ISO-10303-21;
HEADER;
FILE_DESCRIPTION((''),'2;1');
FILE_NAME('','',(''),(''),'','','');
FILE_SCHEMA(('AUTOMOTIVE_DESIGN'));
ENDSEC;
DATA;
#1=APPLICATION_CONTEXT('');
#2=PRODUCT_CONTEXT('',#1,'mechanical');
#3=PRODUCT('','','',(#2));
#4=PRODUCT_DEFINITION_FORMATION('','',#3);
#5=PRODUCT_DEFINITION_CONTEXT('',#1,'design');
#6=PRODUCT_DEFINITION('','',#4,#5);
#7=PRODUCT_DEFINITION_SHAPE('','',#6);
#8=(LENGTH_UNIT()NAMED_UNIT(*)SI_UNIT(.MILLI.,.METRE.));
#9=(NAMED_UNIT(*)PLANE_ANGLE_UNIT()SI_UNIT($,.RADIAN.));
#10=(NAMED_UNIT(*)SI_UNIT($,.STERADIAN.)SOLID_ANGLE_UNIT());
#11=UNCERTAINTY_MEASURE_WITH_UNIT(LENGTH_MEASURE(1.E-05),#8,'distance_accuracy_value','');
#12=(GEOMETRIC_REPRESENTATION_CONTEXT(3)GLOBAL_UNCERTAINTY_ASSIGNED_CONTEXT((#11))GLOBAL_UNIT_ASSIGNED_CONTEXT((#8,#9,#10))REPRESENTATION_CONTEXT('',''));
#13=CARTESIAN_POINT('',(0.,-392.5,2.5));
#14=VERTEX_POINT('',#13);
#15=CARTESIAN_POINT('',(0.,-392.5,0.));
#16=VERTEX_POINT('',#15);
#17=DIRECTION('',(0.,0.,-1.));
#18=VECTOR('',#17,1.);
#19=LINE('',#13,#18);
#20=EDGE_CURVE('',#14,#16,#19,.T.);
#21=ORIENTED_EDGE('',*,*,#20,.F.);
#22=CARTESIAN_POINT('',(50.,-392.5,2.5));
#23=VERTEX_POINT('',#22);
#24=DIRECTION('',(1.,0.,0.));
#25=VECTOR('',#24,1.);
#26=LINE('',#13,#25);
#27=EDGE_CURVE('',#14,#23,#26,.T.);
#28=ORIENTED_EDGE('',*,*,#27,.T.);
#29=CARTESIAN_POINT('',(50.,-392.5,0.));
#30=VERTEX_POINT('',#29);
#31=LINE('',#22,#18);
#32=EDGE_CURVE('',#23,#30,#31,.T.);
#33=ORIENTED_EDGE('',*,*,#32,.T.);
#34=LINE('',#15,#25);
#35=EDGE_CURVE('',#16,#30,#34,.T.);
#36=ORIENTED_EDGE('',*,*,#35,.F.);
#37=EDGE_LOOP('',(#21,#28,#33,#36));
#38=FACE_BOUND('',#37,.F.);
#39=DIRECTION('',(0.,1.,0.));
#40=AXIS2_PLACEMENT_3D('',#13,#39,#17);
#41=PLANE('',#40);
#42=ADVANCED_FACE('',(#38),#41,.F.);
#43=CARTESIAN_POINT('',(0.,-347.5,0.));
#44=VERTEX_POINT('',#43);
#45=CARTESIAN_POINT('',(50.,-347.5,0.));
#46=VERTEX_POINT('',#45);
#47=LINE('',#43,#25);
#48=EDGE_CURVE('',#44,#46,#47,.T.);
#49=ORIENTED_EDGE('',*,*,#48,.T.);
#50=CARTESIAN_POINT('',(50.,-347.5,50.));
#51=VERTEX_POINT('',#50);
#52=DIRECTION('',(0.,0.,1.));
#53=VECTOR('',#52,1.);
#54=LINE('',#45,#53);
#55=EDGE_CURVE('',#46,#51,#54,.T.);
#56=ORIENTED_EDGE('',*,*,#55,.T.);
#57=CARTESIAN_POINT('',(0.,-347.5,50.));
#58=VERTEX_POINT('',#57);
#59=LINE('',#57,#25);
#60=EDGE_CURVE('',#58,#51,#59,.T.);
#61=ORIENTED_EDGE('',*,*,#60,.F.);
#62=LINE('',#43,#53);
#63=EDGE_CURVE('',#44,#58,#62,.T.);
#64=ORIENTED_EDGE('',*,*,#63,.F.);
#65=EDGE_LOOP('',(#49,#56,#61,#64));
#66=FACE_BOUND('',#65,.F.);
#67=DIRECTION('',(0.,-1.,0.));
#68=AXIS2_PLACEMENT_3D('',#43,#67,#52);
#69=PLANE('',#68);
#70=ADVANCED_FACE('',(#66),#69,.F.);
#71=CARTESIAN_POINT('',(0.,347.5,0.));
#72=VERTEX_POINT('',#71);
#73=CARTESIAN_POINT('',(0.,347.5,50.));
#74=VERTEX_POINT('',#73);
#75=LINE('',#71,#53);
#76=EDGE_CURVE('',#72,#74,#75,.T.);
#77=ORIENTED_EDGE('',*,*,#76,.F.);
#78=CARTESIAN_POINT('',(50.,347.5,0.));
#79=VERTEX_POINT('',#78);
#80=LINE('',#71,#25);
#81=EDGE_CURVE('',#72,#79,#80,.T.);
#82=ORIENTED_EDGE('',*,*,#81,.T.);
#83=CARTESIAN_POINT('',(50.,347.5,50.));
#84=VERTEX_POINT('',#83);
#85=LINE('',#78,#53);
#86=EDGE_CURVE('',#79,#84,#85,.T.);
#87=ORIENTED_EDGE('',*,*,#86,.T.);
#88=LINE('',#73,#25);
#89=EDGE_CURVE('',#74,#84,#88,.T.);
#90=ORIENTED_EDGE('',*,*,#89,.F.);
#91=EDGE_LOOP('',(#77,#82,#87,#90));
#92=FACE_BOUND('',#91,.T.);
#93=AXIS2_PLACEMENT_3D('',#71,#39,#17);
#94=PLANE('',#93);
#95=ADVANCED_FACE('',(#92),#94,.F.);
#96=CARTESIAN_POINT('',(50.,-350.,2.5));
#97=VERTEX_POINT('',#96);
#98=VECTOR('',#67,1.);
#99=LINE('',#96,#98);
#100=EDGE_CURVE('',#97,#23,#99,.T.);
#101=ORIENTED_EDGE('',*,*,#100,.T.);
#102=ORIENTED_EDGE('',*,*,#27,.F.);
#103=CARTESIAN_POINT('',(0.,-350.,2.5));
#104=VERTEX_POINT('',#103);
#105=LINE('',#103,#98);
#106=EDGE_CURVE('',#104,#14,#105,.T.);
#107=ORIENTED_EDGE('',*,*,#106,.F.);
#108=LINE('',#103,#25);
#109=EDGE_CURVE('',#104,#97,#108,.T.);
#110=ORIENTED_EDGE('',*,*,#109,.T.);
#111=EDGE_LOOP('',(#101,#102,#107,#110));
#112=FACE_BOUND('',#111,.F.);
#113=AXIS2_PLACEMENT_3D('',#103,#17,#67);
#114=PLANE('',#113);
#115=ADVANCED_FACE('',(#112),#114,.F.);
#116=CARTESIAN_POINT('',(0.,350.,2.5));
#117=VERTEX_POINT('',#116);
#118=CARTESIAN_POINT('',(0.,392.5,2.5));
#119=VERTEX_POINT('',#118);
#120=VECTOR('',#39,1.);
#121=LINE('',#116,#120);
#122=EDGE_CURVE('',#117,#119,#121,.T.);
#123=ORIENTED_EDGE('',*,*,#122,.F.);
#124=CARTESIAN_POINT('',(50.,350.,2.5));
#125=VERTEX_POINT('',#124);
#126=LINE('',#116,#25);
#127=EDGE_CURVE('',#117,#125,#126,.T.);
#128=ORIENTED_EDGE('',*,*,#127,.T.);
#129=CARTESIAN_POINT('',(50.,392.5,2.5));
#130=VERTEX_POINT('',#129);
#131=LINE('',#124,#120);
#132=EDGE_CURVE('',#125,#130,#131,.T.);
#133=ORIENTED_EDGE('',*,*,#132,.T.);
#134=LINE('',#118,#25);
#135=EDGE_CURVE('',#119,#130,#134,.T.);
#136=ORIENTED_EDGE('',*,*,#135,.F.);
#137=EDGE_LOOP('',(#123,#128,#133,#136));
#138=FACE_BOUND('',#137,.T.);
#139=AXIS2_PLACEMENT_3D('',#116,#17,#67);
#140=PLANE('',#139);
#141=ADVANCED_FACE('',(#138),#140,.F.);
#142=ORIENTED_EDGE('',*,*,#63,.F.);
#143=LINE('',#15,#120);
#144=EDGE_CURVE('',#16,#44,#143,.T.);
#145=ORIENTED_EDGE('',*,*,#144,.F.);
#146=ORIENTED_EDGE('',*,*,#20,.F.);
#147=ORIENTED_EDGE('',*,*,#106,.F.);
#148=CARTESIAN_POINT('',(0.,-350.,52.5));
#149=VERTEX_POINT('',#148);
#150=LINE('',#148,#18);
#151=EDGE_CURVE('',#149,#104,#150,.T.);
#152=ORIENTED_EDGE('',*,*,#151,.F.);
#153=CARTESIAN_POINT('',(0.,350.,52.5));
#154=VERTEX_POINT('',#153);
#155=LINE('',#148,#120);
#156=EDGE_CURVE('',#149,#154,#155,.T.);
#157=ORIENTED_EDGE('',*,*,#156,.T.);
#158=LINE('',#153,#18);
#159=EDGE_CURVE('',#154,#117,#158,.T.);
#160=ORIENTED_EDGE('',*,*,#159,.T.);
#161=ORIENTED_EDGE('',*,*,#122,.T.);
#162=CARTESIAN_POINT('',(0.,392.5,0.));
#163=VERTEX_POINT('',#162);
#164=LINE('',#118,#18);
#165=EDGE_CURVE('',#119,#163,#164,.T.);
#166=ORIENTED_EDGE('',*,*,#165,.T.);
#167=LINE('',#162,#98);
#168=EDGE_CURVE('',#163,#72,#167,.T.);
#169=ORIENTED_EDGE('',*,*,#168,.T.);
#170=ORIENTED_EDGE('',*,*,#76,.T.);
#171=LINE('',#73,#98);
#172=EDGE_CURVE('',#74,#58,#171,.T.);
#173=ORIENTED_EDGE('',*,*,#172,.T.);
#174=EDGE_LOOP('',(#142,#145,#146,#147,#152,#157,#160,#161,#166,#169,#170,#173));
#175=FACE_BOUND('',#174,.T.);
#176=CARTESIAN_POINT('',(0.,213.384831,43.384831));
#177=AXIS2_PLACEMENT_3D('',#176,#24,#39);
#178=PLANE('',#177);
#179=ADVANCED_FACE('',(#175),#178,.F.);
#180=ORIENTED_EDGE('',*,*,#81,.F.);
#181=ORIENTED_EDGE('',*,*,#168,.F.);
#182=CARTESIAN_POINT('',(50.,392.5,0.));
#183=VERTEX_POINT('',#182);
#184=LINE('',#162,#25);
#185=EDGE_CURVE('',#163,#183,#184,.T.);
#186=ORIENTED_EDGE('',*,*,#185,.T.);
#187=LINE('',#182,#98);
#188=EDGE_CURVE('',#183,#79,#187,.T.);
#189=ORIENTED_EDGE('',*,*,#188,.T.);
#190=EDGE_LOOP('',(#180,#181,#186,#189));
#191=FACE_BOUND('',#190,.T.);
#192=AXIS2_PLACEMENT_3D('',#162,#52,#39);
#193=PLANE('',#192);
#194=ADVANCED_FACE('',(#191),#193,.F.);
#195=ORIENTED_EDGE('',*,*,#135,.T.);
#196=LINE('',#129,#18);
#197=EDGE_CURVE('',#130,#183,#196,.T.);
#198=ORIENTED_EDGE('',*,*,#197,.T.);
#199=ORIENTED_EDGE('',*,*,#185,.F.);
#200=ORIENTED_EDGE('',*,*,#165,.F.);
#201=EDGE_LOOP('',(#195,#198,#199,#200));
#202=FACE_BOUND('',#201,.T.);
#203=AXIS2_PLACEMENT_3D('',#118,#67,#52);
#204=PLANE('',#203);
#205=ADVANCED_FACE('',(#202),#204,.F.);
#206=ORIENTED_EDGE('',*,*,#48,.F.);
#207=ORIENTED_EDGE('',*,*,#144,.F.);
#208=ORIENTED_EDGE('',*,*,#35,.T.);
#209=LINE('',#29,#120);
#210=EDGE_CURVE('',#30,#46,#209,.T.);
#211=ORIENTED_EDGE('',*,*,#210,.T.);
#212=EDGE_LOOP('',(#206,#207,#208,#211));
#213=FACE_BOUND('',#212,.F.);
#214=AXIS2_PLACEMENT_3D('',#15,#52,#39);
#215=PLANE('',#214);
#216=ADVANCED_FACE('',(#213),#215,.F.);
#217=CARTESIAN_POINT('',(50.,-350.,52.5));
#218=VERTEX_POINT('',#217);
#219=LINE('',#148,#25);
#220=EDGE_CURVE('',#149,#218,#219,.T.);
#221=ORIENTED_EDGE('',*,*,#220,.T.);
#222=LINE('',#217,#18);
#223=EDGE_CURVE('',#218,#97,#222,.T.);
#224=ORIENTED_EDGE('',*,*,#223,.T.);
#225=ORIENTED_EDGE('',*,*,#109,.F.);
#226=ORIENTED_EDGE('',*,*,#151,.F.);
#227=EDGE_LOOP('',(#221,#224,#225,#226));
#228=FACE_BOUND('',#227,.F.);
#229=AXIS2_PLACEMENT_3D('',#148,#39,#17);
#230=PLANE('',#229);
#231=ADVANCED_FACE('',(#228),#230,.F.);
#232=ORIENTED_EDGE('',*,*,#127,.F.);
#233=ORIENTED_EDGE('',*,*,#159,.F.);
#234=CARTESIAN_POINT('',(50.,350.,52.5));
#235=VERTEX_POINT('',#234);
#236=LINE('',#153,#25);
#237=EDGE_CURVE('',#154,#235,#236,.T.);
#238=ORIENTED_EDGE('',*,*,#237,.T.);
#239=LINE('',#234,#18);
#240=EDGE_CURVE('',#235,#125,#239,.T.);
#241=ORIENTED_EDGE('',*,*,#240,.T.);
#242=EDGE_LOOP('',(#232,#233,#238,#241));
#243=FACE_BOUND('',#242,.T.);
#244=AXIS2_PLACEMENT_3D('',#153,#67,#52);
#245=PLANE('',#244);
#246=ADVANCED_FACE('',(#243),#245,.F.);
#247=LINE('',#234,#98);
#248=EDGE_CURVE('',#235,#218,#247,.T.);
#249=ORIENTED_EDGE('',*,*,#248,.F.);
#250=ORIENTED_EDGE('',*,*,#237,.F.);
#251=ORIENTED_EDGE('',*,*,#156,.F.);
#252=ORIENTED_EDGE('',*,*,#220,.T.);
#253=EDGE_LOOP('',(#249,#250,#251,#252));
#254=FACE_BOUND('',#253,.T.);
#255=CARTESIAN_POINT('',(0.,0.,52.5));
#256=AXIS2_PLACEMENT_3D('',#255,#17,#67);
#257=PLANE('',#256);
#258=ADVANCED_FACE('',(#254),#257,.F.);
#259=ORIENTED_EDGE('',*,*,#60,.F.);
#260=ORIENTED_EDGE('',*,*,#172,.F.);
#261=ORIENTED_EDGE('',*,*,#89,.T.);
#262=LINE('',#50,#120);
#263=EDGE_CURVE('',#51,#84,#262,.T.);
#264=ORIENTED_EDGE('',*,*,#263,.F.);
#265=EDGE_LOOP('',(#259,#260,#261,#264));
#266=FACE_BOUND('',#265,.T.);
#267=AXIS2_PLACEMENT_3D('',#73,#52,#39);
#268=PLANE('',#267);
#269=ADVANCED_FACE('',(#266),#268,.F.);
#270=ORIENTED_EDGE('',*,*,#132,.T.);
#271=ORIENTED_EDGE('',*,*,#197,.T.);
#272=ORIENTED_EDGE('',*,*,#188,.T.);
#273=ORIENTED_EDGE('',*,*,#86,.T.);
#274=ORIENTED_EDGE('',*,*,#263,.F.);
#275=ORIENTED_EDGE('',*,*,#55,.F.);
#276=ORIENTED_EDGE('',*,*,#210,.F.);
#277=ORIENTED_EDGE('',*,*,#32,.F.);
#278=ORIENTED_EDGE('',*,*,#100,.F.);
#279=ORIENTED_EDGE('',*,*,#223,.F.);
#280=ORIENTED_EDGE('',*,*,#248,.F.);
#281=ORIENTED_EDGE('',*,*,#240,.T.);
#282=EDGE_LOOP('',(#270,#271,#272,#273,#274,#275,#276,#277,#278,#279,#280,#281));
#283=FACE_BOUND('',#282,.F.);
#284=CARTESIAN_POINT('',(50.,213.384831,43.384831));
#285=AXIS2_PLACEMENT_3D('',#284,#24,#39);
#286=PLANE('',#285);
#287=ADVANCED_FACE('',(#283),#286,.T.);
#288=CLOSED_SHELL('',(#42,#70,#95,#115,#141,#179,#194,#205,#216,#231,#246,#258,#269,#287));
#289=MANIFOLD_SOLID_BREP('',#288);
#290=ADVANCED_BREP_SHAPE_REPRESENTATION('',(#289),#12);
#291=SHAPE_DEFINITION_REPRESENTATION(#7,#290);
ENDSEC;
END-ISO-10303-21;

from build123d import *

# Parameters (mm, degrees)
F1_DEPTH = 50


with BuildPart() as f1:
    # F0 (on Right) → F1 (new body)
    with BuildSketch(Plane.YZ):
        Polygon((-392.5, 2.5), (-392.5, 0), (-347.5, 0), (-347.5, 50), (0, 50), (0, 52.5), (-350, 52.5), (-350, 2.5), align=None)
    extrude(amount=F1_DEPTH)

    # F2: F1 across plane


with BuildPart() as f1_1:
    add(f1.part)
    add(f1.part.mirror(Plane.XZ))


solid = f1_1.part
